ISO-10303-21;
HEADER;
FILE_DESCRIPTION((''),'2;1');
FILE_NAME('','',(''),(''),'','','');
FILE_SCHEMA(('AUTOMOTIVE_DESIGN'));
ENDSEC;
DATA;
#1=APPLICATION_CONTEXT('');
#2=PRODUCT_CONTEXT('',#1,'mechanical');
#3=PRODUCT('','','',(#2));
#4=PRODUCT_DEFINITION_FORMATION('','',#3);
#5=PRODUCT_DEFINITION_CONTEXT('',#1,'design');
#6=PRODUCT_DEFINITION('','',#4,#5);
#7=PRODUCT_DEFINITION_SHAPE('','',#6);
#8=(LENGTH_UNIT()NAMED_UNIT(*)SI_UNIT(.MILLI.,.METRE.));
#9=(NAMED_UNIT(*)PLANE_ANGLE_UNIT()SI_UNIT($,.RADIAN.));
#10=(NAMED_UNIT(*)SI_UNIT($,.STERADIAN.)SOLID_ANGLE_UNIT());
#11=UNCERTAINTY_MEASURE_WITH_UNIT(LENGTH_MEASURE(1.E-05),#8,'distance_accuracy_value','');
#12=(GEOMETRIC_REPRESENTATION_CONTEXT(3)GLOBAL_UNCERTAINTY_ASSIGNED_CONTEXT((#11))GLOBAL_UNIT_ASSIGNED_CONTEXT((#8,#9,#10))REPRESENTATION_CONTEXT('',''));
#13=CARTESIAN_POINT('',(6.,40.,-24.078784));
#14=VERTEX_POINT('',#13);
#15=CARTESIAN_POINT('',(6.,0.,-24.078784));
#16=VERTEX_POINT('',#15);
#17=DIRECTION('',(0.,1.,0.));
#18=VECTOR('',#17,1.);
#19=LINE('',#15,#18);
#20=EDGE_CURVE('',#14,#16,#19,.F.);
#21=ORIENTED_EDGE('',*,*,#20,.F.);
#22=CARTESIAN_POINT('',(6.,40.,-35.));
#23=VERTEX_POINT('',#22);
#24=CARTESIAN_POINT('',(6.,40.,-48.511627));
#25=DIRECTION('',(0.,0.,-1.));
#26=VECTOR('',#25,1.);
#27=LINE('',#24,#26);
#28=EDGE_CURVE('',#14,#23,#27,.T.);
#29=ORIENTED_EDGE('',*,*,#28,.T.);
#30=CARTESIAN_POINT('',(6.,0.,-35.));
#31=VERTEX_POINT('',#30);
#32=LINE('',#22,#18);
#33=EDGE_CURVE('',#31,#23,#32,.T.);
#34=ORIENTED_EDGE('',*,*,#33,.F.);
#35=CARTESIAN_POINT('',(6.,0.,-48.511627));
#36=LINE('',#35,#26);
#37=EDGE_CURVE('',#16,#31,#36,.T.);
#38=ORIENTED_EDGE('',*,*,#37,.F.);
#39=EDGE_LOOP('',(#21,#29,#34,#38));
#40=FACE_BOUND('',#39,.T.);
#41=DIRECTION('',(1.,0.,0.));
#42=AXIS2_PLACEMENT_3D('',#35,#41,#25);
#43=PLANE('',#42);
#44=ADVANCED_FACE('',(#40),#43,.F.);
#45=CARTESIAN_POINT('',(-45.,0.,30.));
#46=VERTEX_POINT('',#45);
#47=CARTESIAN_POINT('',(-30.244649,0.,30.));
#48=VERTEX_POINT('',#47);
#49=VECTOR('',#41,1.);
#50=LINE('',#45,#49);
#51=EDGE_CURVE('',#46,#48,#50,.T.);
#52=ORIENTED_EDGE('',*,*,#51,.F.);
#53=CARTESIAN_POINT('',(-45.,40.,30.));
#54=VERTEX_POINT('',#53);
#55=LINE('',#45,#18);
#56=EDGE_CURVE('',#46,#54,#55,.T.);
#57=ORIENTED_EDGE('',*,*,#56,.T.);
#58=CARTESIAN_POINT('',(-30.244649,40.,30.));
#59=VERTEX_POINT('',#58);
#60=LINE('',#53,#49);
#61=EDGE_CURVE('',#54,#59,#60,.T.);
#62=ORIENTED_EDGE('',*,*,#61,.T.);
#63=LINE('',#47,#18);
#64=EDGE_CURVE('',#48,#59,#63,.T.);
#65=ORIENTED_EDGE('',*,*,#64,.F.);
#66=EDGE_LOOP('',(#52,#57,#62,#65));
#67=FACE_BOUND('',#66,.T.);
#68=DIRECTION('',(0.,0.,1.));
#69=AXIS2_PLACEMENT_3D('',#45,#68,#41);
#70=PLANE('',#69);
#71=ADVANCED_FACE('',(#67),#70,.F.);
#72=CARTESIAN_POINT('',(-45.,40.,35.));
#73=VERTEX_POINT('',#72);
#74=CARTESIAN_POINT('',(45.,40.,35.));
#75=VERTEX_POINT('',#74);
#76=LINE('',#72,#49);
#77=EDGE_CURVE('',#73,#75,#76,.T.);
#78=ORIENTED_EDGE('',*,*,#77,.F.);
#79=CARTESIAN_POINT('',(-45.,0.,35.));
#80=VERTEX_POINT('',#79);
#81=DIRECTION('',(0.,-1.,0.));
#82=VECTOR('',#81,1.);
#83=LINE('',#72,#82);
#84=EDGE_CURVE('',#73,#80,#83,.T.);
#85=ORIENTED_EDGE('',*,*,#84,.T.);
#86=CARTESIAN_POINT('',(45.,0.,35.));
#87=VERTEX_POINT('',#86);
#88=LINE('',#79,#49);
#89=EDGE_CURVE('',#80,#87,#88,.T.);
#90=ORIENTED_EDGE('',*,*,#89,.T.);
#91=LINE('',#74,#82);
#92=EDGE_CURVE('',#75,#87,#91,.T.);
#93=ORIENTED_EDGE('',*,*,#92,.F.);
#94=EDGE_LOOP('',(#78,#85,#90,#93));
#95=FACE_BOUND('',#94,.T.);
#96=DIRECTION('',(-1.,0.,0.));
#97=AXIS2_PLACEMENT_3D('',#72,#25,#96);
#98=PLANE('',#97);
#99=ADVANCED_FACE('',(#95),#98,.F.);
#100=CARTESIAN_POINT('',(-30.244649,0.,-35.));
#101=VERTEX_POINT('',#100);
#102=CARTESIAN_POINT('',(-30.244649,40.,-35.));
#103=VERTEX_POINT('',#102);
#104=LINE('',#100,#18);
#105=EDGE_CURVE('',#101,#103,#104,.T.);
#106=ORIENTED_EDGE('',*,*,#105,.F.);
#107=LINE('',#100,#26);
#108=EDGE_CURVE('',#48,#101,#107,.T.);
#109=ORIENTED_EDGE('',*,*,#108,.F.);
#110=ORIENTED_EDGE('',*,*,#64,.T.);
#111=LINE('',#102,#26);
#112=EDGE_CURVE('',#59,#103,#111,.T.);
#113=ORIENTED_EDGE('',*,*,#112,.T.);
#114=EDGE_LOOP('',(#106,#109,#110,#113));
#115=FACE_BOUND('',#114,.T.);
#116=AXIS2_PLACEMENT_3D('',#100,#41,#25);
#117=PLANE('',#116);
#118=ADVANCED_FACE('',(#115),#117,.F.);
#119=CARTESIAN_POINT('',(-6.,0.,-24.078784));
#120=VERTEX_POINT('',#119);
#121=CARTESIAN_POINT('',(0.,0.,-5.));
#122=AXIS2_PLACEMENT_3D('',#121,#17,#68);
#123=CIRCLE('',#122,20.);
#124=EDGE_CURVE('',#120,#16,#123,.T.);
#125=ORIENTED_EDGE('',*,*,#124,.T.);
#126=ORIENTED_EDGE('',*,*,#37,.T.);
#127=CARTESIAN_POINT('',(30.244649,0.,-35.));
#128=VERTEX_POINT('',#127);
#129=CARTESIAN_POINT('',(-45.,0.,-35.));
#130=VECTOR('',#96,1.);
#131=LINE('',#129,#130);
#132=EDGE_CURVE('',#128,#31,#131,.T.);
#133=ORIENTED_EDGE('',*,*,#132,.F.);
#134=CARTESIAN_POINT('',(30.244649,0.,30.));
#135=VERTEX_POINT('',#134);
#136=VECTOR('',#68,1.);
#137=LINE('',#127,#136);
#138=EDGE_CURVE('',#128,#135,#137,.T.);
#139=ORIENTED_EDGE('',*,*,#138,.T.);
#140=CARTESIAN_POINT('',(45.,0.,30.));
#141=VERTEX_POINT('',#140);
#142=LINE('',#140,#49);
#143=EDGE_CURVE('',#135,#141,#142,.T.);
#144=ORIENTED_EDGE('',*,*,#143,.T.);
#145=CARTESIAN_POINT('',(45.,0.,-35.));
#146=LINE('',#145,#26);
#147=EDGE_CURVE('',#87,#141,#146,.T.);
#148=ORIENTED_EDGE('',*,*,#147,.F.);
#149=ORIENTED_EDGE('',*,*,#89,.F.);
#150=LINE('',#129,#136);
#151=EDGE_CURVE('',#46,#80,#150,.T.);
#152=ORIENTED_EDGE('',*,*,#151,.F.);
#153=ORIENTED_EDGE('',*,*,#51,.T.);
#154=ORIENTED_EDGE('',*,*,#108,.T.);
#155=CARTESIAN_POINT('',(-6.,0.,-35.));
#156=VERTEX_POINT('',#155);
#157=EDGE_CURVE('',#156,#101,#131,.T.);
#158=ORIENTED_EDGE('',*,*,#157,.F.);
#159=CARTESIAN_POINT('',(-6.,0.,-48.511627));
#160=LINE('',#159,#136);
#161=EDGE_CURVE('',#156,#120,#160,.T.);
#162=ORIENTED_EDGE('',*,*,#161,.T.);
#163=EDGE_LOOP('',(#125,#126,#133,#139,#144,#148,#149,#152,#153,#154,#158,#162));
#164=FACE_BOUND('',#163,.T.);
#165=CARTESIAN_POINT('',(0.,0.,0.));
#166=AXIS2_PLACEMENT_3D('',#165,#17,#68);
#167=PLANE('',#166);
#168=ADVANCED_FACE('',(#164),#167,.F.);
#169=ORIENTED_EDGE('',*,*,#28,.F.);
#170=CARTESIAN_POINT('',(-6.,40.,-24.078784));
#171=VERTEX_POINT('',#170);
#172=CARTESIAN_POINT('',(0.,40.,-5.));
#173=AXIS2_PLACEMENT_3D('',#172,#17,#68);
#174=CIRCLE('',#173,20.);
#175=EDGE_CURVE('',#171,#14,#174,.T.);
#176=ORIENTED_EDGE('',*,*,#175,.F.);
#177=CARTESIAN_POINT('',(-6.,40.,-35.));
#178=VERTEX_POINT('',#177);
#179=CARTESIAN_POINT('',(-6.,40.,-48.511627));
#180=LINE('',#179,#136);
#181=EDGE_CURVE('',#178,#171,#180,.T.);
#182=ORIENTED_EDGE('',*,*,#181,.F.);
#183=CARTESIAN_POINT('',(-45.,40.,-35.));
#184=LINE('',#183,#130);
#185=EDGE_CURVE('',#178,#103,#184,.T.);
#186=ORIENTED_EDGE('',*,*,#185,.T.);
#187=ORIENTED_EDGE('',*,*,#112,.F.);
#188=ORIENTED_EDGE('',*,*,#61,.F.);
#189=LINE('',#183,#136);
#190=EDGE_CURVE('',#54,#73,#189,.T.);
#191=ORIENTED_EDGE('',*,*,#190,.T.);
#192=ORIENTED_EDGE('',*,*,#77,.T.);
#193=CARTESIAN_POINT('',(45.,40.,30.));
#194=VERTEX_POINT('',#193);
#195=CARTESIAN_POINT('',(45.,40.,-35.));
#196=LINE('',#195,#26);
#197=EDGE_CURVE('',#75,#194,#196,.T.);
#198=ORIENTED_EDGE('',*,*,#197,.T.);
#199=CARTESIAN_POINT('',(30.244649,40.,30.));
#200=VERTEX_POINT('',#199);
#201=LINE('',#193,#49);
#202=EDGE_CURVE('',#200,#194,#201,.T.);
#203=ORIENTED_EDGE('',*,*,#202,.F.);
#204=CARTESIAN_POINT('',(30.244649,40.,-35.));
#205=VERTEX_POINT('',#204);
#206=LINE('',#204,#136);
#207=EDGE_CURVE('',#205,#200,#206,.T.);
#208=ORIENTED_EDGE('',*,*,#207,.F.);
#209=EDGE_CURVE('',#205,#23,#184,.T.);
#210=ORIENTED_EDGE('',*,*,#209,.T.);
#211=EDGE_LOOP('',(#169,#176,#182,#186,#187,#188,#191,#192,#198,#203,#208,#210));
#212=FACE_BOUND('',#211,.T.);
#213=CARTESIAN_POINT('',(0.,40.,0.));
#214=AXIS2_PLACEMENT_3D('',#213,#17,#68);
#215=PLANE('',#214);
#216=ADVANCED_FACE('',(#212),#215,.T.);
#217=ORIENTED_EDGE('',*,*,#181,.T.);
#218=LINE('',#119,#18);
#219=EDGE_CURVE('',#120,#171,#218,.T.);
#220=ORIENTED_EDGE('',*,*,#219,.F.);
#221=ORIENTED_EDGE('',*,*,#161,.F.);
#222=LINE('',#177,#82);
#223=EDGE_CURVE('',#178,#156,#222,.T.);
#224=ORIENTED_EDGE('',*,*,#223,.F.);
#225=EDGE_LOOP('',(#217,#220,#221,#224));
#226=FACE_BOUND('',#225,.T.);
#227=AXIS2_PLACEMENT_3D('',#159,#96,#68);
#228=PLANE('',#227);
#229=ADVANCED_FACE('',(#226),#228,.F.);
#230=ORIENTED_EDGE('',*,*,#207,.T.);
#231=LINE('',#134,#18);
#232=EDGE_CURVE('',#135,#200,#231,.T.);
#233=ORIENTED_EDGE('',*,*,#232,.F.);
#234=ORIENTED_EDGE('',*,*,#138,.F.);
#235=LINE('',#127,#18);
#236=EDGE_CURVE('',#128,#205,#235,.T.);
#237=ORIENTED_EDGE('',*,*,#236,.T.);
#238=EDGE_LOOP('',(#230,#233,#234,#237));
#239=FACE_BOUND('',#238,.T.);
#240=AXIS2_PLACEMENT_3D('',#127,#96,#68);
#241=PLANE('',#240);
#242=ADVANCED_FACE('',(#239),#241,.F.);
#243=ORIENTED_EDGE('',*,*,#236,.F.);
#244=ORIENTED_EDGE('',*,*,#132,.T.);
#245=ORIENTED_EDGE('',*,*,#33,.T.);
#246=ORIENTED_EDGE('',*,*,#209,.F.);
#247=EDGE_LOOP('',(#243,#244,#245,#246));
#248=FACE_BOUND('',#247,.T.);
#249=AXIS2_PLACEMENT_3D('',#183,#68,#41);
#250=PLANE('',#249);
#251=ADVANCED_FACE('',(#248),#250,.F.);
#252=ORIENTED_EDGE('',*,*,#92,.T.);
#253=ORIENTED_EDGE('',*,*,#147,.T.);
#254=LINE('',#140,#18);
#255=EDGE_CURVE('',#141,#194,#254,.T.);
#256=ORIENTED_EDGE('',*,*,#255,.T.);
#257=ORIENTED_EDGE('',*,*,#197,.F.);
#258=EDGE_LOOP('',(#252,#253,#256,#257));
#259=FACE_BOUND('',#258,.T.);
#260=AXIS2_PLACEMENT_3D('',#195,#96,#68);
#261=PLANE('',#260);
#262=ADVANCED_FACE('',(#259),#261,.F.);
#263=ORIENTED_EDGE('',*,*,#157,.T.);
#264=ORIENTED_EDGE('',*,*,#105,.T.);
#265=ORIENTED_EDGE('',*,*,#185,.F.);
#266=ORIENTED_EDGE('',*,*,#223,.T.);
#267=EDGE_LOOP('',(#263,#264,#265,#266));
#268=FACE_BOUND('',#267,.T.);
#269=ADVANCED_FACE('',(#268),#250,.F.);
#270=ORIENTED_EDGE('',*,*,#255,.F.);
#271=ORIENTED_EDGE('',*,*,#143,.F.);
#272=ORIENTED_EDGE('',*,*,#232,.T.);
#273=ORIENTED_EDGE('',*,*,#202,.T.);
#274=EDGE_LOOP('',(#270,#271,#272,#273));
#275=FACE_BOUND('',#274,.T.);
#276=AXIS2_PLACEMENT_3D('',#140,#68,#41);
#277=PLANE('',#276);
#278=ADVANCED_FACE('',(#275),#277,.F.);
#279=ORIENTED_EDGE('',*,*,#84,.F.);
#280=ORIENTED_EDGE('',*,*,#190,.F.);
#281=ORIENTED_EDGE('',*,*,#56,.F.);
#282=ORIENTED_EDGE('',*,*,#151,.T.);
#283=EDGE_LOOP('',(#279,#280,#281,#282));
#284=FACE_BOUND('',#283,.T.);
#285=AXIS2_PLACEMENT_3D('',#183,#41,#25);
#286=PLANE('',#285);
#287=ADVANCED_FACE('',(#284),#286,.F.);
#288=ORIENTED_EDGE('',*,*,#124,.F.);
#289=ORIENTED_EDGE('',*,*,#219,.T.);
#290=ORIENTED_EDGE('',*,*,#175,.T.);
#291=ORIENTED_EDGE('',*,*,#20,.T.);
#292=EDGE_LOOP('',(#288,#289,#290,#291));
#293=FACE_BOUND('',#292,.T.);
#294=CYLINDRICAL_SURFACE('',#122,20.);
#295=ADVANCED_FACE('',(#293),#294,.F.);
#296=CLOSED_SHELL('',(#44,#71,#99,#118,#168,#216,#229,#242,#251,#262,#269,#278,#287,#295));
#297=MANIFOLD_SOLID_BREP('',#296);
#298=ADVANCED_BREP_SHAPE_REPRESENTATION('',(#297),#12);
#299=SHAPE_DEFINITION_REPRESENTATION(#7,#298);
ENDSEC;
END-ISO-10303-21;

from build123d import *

# Parameters (mm, degrees)
SKETCH1_W           = 90
SKETCH1_H           = 70
BOSS_EXTRUDE1_DEPTH = 40
SKETCH4_R           = 20
CUT_EXTRUDE1_DEPTH  = 40
SKETCH5_W           = 14.755351209
SKETCH5_H           = 65
CUT_EXTRUDE2_DEPTH  = 40
SKETCH6_W           = 12
SKETCH6_H           = 27.02325336
CUT_EXTRUDE3_DEPTH  = 40


with BuildPart() as part:
    # Sketch1 → Boss-Extrude1 (new body)
    with BuildSketch(Plane(origin=(0, 0, 0), x_dir=(1, 0, 0), z_dir=(0, 1, 0))):
        Rectangle(SKETCH1_W, SKETCH1_H)
    extrude(amount=BOSS_EXTRUDE1_DEPTH)

    # Sketch4 → Cut-Extrude1 (cut)
    with BuildSketch(Plane(origin=(0, 40, 0), x_dir=(1, 0, 0), z_dir=(0, 1, 0))):
        with Locations(Location((0, 5, 0), (0, 0, 270))):
            Circle(SKETCH4_R)
    extrude(amount=-CUT_EXTRUDE1_DEPTH, mode=Mode.SUBTRACT)

    # Sketch5 → Cut-Extrude2 (cut)
    with BuildSketch(Plane(origin=(0, 40, 0), x_dir=(1, 0, 0), z_dir=(0, 1, 0))):
        with Locations((-37.622324396, 2.5)):
            Rectangle(SKETCH5_W, SKETCH5_H)
        with Locations((37.622324396, 2.5)):
            Rectangle(SKETCH5_W, SKETCH5_H)
    extrude(amount=-CUT_EXTRUDE2_DEPTH, mode=Mode.SUBTRACT)

    # Sketch6 → Cut-Extrude3 (cut)
    with BuildSketch(Plane(origin=(0, 40, 0), x_dir=(1, 0, 0), z_dir=(0, 1, 0))):
        with Locations((0, 35)):
            Rectangle(SKETCH6_W, SKETCH6_H)
    extrude(amount=-CUT_EXTRUDE3_DEPTH, mode=Mode.SUBTRACT)


solid = part.part
